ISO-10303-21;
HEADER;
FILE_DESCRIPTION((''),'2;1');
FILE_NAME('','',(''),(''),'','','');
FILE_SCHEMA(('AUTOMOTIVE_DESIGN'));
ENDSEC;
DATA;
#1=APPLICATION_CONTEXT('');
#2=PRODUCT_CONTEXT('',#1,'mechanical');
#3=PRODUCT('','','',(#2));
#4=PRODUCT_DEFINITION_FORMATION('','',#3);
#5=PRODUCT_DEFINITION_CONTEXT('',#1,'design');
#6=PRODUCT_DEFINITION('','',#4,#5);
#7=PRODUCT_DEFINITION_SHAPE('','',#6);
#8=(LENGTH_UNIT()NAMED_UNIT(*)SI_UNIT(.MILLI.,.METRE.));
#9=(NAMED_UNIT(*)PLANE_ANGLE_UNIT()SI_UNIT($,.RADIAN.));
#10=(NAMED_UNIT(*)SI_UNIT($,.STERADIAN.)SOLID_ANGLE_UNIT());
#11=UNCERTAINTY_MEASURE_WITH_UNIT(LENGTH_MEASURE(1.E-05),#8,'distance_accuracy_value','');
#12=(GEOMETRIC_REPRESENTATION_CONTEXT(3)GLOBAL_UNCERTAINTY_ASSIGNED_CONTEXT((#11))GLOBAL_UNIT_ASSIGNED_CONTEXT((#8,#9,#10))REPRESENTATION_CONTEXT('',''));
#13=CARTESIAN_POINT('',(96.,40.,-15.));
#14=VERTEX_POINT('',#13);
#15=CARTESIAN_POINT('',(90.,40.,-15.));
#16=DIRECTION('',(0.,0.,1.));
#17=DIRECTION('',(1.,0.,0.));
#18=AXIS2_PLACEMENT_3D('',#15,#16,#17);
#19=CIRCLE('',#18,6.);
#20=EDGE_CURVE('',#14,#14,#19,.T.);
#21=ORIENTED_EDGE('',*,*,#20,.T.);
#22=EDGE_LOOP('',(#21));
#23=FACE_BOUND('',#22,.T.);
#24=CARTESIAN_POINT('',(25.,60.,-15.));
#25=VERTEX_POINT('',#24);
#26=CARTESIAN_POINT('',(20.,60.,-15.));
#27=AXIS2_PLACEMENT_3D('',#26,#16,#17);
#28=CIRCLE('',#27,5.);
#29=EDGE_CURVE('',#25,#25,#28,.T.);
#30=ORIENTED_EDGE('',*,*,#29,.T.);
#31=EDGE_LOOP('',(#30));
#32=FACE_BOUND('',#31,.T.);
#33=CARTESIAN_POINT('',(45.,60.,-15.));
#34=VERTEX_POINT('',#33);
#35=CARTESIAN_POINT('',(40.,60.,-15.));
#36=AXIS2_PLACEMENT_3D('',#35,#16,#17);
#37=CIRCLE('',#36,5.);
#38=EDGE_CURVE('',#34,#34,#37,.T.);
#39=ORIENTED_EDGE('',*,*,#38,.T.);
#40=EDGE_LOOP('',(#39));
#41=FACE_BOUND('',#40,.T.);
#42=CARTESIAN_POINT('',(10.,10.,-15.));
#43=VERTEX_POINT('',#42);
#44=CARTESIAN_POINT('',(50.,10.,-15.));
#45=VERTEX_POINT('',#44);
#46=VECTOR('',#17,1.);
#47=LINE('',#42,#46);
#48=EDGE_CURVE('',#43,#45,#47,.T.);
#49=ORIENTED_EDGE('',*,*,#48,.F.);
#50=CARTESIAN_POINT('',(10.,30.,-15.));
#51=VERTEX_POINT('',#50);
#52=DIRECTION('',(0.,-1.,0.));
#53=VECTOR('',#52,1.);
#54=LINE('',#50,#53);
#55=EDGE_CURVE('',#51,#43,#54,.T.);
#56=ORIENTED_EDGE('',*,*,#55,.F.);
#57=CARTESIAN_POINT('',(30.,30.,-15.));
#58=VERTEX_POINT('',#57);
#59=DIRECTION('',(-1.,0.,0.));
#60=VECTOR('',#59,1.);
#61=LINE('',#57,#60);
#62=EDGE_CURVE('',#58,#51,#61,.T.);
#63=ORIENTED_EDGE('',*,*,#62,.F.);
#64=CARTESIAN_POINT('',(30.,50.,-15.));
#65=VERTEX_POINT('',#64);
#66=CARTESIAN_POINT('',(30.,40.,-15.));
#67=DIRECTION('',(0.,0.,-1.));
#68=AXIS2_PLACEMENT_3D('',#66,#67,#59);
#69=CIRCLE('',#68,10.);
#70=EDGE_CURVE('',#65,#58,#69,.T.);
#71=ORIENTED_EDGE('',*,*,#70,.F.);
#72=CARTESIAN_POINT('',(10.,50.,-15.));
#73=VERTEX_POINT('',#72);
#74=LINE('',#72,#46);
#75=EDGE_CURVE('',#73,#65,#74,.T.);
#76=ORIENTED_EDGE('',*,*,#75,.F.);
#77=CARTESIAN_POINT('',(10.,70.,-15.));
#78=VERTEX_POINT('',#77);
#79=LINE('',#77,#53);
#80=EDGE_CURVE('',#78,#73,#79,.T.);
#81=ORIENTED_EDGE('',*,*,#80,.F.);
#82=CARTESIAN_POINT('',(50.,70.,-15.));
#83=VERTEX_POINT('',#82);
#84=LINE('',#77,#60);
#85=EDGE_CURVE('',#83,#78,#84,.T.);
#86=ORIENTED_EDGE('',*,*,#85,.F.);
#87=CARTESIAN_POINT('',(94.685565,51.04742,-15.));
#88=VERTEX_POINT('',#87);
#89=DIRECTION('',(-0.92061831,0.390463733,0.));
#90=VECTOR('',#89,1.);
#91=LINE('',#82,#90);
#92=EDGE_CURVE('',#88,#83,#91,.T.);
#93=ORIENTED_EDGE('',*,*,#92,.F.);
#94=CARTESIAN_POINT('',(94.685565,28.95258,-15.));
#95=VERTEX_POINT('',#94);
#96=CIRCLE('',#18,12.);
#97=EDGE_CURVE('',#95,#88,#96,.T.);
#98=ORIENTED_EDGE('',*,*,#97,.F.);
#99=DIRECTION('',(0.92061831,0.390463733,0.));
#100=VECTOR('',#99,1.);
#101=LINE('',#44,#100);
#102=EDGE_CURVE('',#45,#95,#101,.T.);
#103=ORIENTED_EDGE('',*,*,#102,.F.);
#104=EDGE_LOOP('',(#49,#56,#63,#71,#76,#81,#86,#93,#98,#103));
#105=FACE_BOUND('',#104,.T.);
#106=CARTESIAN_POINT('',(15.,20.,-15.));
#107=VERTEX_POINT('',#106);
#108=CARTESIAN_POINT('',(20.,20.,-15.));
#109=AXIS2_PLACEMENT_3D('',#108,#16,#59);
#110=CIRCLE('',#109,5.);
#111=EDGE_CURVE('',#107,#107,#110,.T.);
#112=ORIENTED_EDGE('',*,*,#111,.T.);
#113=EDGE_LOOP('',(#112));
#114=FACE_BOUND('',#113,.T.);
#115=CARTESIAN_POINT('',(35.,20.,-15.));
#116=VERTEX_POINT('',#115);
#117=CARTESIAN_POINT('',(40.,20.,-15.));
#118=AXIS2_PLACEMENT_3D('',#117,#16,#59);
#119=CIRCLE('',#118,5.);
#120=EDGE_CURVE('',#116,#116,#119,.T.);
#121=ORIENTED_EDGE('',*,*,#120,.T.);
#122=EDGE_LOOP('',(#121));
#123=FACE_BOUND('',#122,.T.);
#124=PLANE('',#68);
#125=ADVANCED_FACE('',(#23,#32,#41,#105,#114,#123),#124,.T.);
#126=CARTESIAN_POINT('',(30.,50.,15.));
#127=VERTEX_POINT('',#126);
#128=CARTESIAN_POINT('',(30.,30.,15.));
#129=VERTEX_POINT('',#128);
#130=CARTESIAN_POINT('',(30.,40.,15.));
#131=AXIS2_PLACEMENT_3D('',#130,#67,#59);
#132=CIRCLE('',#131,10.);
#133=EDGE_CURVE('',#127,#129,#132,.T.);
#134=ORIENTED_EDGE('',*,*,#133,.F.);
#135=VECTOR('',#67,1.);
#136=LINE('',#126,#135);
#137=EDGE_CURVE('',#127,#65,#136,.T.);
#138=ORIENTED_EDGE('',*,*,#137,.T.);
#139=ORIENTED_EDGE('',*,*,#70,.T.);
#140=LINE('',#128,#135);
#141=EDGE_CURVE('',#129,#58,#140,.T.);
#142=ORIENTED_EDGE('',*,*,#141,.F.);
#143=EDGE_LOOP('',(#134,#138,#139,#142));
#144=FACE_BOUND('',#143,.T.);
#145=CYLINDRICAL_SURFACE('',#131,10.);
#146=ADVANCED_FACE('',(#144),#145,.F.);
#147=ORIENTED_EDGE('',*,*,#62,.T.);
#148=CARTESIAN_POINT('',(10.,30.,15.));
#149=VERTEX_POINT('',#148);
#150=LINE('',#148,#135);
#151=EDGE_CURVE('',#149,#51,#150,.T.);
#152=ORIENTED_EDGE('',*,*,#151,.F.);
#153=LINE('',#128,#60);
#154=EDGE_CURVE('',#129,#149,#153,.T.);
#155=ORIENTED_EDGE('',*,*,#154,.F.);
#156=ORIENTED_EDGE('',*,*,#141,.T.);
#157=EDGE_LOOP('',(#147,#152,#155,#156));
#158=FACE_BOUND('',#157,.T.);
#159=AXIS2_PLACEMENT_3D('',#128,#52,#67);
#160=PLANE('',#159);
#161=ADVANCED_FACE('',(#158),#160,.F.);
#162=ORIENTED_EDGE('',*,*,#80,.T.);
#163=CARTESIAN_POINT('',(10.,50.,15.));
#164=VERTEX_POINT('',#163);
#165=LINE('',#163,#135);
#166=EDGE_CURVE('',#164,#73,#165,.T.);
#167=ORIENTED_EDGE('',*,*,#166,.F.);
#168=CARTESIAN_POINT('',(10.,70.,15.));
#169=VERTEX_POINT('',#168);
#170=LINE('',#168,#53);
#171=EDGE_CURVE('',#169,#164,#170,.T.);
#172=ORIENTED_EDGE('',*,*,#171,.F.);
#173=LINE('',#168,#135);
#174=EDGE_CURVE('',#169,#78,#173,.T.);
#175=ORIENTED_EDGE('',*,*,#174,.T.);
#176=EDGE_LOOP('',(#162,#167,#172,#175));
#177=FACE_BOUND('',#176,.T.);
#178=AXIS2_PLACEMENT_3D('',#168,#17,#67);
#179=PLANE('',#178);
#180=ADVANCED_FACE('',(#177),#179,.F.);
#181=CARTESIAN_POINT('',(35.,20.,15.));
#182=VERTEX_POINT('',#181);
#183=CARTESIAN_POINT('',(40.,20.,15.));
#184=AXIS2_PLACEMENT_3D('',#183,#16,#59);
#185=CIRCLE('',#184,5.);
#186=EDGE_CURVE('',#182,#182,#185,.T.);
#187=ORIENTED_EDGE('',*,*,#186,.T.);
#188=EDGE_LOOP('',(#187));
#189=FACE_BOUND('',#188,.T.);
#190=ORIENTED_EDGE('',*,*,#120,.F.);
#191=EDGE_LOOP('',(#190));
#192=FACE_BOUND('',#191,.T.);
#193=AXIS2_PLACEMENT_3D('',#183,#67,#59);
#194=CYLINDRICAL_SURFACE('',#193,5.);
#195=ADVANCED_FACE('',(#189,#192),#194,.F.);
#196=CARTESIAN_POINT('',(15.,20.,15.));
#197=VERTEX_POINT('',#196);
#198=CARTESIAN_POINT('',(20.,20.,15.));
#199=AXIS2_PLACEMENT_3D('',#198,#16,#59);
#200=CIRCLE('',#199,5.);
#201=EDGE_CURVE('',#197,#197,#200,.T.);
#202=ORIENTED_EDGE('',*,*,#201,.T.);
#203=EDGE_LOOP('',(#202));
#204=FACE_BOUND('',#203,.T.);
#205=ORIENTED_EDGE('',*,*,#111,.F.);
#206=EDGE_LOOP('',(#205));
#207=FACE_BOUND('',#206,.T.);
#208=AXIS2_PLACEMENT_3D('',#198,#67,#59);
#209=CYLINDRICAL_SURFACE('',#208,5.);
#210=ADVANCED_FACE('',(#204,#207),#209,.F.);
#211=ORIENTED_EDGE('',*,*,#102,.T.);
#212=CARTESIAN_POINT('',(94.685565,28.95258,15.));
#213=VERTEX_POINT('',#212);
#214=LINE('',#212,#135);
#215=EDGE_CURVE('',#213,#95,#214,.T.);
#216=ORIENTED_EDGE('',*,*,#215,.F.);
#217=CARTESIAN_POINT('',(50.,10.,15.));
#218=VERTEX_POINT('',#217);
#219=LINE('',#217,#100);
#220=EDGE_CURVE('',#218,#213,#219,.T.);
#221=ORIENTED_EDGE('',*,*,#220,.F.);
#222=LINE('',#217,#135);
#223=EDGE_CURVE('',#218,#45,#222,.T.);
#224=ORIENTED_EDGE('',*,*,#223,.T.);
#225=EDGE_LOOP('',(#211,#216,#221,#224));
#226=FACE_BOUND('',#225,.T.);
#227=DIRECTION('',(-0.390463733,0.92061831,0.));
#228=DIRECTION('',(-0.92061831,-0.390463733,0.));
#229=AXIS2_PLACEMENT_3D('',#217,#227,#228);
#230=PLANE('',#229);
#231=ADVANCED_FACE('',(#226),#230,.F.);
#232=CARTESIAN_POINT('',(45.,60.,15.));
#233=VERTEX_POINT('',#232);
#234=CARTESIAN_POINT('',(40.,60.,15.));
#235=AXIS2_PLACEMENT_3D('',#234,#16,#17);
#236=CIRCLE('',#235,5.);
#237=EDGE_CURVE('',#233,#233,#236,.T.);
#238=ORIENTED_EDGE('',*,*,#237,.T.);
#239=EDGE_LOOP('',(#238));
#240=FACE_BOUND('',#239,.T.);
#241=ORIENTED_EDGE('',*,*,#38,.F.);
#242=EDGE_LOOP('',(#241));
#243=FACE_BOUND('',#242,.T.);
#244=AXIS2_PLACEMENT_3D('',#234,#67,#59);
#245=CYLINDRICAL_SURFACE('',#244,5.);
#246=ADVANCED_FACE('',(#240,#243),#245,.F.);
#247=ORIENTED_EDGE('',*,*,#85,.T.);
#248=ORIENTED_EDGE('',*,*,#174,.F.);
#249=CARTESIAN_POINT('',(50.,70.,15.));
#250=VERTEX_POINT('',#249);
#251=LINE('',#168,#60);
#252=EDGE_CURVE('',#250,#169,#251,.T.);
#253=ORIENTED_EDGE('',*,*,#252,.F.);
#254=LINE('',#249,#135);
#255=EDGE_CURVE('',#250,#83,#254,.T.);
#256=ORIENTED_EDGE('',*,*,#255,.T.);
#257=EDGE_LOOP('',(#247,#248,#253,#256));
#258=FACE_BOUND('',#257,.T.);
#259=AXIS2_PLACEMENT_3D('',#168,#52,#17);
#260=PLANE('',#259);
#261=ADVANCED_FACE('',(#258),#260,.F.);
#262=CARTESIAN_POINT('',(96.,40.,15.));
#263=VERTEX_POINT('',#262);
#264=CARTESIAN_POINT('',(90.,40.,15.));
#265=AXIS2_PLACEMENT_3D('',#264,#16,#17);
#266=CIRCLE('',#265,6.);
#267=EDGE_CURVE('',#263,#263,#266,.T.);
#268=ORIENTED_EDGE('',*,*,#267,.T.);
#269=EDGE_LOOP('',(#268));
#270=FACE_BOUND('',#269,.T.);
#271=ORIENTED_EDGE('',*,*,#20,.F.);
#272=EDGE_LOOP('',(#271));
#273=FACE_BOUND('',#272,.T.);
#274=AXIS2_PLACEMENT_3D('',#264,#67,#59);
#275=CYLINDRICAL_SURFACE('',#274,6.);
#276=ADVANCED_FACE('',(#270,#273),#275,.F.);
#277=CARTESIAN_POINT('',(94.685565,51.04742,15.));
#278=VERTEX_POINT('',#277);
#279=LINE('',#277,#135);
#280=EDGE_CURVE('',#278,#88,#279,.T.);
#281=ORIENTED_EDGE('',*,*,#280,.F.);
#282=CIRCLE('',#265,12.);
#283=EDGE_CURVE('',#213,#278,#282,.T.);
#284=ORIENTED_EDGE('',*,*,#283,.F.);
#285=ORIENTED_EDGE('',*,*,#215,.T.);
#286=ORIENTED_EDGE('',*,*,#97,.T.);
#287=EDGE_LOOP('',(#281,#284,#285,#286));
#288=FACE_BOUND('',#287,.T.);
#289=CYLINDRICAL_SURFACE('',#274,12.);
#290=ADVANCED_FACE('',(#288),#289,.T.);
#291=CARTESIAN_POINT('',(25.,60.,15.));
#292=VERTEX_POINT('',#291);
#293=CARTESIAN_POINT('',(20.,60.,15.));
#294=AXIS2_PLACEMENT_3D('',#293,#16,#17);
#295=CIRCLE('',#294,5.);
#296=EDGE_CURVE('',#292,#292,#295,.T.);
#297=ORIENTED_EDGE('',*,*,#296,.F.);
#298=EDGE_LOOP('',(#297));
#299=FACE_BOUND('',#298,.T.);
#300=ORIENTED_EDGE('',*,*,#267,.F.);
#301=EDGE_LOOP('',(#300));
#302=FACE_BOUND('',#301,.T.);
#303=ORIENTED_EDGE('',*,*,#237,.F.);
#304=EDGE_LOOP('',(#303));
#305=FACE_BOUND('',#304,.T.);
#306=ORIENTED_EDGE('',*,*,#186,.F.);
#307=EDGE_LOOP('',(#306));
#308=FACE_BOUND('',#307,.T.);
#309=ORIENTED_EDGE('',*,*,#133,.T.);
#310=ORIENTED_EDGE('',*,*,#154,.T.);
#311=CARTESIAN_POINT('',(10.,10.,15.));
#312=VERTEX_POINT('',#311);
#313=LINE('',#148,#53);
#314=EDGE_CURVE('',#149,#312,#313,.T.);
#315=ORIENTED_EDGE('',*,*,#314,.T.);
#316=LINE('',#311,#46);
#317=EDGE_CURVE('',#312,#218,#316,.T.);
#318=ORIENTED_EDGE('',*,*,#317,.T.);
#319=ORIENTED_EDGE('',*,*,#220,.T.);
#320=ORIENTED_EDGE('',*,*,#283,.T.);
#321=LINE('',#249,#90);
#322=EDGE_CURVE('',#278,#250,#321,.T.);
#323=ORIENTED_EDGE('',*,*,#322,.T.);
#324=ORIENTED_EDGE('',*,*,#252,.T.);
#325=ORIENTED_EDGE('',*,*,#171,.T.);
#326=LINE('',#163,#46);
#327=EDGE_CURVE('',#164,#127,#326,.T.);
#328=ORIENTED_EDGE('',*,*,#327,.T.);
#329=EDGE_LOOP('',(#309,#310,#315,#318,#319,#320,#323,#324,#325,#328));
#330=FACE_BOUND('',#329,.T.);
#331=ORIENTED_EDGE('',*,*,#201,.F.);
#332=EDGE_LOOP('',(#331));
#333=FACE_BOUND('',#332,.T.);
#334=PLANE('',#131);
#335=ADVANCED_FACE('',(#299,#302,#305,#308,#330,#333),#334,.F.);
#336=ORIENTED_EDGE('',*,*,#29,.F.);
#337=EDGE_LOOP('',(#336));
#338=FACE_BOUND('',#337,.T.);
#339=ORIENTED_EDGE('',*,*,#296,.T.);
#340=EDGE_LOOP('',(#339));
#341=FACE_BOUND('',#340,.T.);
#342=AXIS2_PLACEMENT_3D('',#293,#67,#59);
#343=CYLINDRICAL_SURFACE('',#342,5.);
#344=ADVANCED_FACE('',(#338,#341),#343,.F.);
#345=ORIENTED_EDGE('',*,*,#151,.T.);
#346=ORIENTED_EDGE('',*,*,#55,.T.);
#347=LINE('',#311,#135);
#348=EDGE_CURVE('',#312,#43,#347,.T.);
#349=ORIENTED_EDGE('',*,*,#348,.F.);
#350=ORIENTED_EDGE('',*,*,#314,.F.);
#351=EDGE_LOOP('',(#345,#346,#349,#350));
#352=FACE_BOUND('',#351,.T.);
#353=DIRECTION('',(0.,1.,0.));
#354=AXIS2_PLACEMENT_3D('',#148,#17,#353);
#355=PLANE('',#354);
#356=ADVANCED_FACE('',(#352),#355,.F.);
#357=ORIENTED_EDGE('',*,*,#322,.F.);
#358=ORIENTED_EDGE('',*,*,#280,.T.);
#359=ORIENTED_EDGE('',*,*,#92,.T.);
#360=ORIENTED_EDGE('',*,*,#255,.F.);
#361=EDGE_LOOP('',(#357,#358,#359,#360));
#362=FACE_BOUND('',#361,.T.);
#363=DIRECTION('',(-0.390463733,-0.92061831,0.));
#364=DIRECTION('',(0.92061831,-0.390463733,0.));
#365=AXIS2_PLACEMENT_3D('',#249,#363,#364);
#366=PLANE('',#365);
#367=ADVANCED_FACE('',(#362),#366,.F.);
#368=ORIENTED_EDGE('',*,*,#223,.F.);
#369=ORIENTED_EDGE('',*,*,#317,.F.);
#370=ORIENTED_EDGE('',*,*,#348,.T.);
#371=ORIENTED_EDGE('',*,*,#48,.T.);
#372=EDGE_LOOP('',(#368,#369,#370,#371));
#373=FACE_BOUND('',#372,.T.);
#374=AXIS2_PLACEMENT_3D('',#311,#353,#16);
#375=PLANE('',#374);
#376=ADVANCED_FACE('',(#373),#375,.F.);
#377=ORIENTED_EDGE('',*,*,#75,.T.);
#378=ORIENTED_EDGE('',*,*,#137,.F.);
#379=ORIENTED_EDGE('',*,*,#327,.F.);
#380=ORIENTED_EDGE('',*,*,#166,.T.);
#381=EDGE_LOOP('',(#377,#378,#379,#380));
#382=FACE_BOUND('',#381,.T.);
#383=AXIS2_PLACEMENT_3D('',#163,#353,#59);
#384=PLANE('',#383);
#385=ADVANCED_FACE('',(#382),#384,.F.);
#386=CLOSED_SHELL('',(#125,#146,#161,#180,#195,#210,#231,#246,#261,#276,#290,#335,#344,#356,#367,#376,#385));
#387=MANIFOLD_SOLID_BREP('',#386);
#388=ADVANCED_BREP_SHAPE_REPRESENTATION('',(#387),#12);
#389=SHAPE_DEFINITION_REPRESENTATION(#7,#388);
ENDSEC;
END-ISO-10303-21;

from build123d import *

# Parameters (mm, degrees)
SKETCH1_R           = 5
SKETCH1_R_2         = 6
BOSS_EXTRUDE2_DEPTH = 15


with BuildPart() as part:
    # Sketch1 → Boss-Extrude2 (new, symmetric)
    with BuildSketch(Plane.XY):
        with BuildLine():
            Line((10, 10), (50, 10))
            Line((50, 10), (94.685564793, 28.952580276))
            ThreePointArc((94.685564793, 28.952580276), (102, 40), (94.685564793, 51.047419724))
            Line((94.685564793, 51.047419724), (50, 70))
            Line((50, 70), (10, 70))
            Line((10, 70), (10, 50))
            Line((10, 50), (30, 50))
            ThreePointArc((30, 50), (40, 40), (30, 30))
            Line((30, 30), (10, 30))
            Line((10, 30), (10, 10))
        make_face()
        with Locations((20, 60)):
            Circle(SKETCH1_R, mode=Mode.SUBTRACT)
        with Locations((40, 60)):
            Circle(SKETCH1_R, mode=Mode.SUBTRACT)
        with Locations((90, 40)):
            Circle(SKETCH1_R_2, mode=Mode.SUBTRACT)
        with Locations(Location((40, 20, 0), (0, 0, 180))):
            Circle(SKETCH1_R, mode=Mode.SUBTRACT)
        with Locations(Location((20, 20, 0), (0, 0, 180))):
            Circle(SKETCH1_R, mode=Mode.SUBTRACT)
    extrude(amount=BOSS_EXTRUDE2_DEPTH, both=True)


solid = part.part
